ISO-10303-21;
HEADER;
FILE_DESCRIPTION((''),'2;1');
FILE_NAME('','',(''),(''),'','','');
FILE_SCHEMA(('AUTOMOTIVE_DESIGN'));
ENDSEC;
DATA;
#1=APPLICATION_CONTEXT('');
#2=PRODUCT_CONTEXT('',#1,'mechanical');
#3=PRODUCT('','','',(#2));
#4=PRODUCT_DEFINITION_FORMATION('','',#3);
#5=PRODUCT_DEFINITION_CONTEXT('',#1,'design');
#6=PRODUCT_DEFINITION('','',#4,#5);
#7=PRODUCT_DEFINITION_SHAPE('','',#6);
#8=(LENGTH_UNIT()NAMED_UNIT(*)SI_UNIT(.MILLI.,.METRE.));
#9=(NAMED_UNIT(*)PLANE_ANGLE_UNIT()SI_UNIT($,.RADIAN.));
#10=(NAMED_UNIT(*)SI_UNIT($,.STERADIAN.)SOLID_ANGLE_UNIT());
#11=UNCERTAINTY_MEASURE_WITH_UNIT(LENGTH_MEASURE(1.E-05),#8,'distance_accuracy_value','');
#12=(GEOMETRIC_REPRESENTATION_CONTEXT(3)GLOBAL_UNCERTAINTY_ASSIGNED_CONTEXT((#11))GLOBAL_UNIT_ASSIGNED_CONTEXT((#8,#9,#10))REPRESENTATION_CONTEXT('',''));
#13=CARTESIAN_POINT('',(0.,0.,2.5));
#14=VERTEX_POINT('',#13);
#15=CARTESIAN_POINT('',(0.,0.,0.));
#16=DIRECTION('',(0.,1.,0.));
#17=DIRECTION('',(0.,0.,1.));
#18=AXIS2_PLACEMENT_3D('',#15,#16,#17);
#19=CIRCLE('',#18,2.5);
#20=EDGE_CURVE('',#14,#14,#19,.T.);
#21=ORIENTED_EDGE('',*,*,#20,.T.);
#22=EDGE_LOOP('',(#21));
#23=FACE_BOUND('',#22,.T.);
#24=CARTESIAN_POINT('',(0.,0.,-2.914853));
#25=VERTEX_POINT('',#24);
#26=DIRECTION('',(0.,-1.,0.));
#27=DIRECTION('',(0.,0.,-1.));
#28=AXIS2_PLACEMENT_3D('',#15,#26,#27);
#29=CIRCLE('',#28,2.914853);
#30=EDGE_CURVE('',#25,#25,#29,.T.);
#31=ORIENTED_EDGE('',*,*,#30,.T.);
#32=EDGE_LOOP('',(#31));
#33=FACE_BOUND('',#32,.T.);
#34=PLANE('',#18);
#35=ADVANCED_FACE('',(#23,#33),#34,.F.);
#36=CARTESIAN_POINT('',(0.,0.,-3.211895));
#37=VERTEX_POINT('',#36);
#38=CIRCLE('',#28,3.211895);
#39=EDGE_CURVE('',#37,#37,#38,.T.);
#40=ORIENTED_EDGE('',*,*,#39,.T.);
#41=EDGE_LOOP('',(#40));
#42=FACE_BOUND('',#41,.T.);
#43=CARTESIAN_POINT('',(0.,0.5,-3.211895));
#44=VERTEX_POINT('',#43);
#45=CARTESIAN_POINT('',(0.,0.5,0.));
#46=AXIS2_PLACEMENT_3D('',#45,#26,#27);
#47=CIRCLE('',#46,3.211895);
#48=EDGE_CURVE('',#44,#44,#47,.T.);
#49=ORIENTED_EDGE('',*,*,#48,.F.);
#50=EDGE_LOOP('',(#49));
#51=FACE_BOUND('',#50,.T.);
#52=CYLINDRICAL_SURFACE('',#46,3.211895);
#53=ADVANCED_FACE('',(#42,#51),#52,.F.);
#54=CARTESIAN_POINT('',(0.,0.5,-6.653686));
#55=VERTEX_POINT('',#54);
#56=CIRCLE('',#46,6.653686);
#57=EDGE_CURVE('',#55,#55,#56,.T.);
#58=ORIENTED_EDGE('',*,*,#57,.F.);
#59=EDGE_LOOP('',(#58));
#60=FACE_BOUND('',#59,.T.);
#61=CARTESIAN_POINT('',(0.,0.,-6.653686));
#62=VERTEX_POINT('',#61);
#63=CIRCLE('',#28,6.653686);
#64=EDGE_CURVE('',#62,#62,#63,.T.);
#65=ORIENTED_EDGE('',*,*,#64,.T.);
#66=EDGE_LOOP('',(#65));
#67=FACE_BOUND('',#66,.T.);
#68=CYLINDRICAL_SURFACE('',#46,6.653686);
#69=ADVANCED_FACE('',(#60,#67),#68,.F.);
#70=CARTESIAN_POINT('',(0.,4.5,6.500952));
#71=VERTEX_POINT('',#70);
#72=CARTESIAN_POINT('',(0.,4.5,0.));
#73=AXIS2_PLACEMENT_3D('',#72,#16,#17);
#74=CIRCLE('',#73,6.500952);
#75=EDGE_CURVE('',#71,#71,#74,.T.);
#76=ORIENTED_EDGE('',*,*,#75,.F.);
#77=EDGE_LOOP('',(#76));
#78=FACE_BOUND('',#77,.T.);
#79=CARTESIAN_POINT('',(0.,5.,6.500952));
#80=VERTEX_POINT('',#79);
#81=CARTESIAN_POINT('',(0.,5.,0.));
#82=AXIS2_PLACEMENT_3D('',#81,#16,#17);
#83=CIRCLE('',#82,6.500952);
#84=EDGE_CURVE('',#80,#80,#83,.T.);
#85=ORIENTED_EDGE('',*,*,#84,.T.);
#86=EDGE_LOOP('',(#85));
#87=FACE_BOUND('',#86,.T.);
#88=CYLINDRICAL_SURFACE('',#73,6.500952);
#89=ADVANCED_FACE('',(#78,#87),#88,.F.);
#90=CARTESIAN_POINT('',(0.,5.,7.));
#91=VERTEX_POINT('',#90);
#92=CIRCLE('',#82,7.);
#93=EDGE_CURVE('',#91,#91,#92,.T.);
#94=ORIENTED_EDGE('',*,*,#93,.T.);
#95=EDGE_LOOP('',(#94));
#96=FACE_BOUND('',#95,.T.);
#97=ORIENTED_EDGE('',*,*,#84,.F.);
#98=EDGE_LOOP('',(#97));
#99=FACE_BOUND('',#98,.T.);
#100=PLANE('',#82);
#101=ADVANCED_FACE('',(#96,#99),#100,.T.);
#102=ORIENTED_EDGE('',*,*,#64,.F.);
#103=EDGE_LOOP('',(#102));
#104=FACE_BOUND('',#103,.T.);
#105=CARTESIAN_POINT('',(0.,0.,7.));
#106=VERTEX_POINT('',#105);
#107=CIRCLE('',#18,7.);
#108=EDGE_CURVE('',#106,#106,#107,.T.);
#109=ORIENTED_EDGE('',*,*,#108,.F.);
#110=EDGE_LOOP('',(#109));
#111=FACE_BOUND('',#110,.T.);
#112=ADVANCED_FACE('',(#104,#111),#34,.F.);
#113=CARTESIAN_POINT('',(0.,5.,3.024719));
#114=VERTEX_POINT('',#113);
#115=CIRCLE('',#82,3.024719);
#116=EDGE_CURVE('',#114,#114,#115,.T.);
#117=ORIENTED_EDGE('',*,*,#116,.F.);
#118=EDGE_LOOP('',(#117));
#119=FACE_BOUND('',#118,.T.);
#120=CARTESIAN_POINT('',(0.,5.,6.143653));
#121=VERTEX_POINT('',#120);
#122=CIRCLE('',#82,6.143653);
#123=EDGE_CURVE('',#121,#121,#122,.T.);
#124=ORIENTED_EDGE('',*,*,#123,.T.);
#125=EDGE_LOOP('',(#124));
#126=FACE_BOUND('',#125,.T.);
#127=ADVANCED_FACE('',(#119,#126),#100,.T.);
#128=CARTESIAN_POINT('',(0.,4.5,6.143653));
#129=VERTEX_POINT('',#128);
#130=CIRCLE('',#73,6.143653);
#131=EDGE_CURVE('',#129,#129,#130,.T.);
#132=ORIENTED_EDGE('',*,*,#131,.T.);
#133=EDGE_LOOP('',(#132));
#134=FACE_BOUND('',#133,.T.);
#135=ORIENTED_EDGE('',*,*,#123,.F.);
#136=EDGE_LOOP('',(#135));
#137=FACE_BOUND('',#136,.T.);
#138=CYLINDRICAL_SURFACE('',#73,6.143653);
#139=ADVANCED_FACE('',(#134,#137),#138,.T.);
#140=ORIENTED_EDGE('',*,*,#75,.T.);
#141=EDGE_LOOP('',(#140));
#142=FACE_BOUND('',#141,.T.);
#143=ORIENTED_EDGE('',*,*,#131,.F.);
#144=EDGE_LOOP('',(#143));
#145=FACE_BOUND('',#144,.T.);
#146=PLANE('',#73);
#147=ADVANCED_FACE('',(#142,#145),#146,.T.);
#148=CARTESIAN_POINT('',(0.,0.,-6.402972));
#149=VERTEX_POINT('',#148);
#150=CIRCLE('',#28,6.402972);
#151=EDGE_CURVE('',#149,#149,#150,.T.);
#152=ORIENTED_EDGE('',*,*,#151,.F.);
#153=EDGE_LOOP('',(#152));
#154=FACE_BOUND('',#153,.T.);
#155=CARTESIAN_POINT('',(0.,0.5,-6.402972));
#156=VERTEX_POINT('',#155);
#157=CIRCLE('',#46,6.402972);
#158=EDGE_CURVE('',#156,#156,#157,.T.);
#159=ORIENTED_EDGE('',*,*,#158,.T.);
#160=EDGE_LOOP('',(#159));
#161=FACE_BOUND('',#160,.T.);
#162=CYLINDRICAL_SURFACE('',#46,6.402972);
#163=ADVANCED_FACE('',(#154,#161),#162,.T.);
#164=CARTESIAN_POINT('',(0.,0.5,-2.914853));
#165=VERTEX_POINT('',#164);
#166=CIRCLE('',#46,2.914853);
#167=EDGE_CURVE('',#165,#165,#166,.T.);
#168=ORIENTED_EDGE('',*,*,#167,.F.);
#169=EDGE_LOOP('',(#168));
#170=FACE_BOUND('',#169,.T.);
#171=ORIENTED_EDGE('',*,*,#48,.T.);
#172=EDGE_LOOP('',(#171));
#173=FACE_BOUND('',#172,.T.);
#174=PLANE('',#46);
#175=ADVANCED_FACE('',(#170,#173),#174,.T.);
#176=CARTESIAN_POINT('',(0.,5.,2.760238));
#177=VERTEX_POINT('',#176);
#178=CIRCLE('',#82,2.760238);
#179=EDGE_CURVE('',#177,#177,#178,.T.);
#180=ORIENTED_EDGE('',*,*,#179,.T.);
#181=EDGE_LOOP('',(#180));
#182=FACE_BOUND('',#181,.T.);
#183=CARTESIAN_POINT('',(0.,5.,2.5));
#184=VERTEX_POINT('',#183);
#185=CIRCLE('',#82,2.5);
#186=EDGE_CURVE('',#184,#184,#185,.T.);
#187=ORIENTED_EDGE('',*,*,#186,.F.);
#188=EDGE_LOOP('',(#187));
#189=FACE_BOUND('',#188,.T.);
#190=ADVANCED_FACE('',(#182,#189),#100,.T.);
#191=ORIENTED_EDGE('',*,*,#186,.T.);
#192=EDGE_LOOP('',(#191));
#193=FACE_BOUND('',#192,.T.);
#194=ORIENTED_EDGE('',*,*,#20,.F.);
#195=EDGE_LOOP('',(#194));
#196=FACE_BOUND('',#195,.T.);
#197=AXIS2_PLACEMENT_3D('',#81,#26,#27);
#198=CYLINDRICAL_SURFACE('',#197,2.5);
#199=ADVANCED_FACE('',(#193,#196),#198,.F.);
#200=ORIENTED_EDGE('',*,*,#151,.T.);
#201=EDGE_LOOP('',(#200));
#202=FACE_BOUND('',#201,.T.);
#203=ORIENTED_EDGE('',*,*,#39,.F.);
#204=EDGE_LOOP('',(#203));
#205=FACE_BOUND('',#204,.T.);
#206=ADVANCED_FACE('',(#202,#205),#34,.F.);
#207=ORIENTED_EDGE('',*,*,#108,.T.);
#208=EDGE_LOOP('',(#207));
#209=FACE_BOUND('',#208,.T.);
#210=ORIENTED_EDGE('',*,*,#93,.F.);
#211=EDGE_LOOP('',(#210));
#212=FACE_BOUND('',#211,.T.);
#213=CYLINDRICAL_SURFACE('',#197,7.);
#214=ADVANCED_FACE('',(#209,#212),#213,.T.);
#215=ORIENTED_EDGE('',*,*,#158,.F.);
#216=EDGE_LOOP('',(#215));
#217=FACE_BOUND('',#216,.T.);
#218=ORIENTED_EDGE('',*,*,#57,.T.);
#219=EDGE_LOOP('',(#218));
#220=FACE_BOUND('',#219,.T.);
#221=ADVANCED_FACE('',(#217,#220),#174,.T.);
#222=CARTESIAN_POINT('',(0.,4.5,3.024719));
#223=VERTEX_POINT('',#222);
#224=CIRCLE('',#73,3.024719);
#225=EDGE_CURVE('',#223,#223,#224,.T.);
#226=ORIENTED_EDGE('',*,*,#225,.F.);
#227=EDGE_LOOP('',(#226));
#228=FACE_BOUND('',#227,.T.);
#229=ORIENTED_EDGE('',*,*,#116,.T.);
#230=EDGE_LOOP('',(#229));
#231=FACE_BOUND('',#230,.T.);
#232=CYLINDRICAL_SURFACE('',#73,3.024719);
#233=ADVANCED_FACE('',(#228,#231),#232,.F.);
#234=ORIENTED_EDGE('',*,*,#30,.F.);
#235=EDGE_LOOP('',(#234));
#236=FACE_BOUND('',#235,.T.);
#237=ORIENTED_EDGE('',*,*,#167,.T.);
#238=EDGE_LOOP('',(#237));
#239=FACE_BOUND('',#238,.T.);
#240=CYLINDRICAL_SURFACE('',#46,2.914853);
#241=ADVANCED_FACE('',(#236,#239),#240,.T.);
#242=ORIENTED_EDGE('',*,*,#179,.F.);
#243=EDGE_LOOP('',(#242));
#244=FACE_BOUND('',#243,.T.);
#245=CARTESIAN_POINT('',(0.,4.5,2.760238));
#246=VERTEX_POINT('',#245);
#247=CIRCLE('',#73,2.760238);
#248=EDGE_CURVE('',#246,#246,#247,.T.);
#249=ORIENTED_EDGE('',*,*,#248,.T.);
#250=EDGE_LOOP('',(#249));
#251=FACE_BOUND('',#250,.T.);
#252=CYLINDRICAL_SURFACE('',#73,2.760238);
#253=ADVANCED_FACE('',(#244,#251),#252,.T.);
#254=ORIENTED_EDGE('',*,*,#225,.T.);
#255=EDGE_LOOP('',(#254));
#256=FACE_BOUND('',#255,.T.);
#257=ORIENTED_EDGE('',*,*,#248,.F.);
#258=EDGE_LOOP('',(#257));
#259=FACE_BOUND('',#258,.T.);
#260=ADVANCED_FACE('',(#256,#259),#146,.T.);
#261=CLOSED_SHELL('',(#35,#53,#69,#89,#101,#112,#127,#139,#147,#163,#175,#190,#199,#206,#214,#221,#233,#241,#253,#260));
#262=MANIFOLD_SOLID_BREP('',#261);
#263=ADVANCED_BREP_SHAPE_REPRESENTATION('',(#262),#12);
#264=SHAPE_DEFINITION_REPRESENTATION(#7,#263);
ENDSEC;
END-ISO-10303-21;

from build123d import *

# Parameters (mm, degrees)
SKETCH1_R           = 7
SKETCH1_R_2         = 2.5
BOSS_EXTRUDE1_DEPTH = 5
SKETCH2_R           = 3.024719142
SKETCH2_R_2         = 2.760237687
CUT_EXTRUDE1_DEPTH  = 0.5
SKETCH3_R           = 6.500951531
SKETCH3_R_2         = 6.143653391
CUT_EXTRUDE2_DEPTH  = 0.5
SKETCH4_R           = 6.653685529
SKETCH4_R_2         = 6.402971613
SKETCH4_R_3         = 3.211895498
SKETCH4_R_4         = 2.91485273
CUT_EXTRUDE3_DEPTH  = 0.5


with BuildPart() as part:
    # Sketch1 → Boss-Extrude1 (new body)
    with BuildSketch(Plane(origin=(0, 0, 0), x_dir=(1, 0, 0), z_dir=(0, 1, 0))):
        with Locations(Location((0, 0, 0), (0, 0, 270))):
            Circle(SKETCH1_R)
        with Locations(Location((0, 0, 0), (0, 0, 270))):
            Circle(SKETCH1_R_2, mode=Mode.SUBTRACT)
    extrude(amount=BOSS_EXTRUDE1_DEPTH)

    # Sketch2 → Cut-Extrude1 (cut)
    with BuildSketch(Plane(origin=(0, 5, 0), x_dir=(1, 0, 0), z_dir=(0, 1, 0))):
        with Locations(Location((0, 0, 0), (0, 0, 270))):
            Circle(SKETCH2_R)
        with Locations(Location((0, 0, 0), (0, 0, 270))):
            Circle(SKETCH2_R_2, mode=Mode.SUBTRACT)
    extrude(amount=-CUT_EXTRUDE1_DEPTH, mode=Mode.SUBTRACT)

    # Sketch3 → Cut-Extrude2 (cut)
    with BuildSketch(Plane(origin=(0, 5, 0), x_dir=(1, 0, 0), z_dir=(0, 1, 0))):
        with Locations(Location((0, 0, 0), (0, 0, 270))):
            Circle(SKETCH3_R)
        with Locations(Location((0, 0, 0), (0, 0, 270))):
            Circle(SKETCH3_R_2, mode=Mode.SUBTRACT)
    extrude(amount=-CUT_EXTRUDE2_DEPTH, mode=Mode.SUBTRACT)

    # Sketch4 → Cut-Extrude3 (cut)
    with BuildSketch(Plane.XZ):
        with Locations(Location((0, 0, 0), (0, 0, 270))):
            Circle(SKETCH4_R)
        with Locations(Location((0, 0, 0), (0, 0, 270))):
            Circle(SKETCH4_R_2, mode=Mode.SUBTRACT)
        with Locations(Location((0, 0, 0), (0, 0, 270))):
            Circle(SKETCH4_R_3)
        with Locations(Location((0, 0, 0), (0, 0, 270))):
            Circle(SKETCH4_R_4, mode=Mode.SUBTRACT)
    extrude(amount=-CUT_EXTRUDE3_DEPTH, mode=Mode.SUBTRACT)


solid = part.part
